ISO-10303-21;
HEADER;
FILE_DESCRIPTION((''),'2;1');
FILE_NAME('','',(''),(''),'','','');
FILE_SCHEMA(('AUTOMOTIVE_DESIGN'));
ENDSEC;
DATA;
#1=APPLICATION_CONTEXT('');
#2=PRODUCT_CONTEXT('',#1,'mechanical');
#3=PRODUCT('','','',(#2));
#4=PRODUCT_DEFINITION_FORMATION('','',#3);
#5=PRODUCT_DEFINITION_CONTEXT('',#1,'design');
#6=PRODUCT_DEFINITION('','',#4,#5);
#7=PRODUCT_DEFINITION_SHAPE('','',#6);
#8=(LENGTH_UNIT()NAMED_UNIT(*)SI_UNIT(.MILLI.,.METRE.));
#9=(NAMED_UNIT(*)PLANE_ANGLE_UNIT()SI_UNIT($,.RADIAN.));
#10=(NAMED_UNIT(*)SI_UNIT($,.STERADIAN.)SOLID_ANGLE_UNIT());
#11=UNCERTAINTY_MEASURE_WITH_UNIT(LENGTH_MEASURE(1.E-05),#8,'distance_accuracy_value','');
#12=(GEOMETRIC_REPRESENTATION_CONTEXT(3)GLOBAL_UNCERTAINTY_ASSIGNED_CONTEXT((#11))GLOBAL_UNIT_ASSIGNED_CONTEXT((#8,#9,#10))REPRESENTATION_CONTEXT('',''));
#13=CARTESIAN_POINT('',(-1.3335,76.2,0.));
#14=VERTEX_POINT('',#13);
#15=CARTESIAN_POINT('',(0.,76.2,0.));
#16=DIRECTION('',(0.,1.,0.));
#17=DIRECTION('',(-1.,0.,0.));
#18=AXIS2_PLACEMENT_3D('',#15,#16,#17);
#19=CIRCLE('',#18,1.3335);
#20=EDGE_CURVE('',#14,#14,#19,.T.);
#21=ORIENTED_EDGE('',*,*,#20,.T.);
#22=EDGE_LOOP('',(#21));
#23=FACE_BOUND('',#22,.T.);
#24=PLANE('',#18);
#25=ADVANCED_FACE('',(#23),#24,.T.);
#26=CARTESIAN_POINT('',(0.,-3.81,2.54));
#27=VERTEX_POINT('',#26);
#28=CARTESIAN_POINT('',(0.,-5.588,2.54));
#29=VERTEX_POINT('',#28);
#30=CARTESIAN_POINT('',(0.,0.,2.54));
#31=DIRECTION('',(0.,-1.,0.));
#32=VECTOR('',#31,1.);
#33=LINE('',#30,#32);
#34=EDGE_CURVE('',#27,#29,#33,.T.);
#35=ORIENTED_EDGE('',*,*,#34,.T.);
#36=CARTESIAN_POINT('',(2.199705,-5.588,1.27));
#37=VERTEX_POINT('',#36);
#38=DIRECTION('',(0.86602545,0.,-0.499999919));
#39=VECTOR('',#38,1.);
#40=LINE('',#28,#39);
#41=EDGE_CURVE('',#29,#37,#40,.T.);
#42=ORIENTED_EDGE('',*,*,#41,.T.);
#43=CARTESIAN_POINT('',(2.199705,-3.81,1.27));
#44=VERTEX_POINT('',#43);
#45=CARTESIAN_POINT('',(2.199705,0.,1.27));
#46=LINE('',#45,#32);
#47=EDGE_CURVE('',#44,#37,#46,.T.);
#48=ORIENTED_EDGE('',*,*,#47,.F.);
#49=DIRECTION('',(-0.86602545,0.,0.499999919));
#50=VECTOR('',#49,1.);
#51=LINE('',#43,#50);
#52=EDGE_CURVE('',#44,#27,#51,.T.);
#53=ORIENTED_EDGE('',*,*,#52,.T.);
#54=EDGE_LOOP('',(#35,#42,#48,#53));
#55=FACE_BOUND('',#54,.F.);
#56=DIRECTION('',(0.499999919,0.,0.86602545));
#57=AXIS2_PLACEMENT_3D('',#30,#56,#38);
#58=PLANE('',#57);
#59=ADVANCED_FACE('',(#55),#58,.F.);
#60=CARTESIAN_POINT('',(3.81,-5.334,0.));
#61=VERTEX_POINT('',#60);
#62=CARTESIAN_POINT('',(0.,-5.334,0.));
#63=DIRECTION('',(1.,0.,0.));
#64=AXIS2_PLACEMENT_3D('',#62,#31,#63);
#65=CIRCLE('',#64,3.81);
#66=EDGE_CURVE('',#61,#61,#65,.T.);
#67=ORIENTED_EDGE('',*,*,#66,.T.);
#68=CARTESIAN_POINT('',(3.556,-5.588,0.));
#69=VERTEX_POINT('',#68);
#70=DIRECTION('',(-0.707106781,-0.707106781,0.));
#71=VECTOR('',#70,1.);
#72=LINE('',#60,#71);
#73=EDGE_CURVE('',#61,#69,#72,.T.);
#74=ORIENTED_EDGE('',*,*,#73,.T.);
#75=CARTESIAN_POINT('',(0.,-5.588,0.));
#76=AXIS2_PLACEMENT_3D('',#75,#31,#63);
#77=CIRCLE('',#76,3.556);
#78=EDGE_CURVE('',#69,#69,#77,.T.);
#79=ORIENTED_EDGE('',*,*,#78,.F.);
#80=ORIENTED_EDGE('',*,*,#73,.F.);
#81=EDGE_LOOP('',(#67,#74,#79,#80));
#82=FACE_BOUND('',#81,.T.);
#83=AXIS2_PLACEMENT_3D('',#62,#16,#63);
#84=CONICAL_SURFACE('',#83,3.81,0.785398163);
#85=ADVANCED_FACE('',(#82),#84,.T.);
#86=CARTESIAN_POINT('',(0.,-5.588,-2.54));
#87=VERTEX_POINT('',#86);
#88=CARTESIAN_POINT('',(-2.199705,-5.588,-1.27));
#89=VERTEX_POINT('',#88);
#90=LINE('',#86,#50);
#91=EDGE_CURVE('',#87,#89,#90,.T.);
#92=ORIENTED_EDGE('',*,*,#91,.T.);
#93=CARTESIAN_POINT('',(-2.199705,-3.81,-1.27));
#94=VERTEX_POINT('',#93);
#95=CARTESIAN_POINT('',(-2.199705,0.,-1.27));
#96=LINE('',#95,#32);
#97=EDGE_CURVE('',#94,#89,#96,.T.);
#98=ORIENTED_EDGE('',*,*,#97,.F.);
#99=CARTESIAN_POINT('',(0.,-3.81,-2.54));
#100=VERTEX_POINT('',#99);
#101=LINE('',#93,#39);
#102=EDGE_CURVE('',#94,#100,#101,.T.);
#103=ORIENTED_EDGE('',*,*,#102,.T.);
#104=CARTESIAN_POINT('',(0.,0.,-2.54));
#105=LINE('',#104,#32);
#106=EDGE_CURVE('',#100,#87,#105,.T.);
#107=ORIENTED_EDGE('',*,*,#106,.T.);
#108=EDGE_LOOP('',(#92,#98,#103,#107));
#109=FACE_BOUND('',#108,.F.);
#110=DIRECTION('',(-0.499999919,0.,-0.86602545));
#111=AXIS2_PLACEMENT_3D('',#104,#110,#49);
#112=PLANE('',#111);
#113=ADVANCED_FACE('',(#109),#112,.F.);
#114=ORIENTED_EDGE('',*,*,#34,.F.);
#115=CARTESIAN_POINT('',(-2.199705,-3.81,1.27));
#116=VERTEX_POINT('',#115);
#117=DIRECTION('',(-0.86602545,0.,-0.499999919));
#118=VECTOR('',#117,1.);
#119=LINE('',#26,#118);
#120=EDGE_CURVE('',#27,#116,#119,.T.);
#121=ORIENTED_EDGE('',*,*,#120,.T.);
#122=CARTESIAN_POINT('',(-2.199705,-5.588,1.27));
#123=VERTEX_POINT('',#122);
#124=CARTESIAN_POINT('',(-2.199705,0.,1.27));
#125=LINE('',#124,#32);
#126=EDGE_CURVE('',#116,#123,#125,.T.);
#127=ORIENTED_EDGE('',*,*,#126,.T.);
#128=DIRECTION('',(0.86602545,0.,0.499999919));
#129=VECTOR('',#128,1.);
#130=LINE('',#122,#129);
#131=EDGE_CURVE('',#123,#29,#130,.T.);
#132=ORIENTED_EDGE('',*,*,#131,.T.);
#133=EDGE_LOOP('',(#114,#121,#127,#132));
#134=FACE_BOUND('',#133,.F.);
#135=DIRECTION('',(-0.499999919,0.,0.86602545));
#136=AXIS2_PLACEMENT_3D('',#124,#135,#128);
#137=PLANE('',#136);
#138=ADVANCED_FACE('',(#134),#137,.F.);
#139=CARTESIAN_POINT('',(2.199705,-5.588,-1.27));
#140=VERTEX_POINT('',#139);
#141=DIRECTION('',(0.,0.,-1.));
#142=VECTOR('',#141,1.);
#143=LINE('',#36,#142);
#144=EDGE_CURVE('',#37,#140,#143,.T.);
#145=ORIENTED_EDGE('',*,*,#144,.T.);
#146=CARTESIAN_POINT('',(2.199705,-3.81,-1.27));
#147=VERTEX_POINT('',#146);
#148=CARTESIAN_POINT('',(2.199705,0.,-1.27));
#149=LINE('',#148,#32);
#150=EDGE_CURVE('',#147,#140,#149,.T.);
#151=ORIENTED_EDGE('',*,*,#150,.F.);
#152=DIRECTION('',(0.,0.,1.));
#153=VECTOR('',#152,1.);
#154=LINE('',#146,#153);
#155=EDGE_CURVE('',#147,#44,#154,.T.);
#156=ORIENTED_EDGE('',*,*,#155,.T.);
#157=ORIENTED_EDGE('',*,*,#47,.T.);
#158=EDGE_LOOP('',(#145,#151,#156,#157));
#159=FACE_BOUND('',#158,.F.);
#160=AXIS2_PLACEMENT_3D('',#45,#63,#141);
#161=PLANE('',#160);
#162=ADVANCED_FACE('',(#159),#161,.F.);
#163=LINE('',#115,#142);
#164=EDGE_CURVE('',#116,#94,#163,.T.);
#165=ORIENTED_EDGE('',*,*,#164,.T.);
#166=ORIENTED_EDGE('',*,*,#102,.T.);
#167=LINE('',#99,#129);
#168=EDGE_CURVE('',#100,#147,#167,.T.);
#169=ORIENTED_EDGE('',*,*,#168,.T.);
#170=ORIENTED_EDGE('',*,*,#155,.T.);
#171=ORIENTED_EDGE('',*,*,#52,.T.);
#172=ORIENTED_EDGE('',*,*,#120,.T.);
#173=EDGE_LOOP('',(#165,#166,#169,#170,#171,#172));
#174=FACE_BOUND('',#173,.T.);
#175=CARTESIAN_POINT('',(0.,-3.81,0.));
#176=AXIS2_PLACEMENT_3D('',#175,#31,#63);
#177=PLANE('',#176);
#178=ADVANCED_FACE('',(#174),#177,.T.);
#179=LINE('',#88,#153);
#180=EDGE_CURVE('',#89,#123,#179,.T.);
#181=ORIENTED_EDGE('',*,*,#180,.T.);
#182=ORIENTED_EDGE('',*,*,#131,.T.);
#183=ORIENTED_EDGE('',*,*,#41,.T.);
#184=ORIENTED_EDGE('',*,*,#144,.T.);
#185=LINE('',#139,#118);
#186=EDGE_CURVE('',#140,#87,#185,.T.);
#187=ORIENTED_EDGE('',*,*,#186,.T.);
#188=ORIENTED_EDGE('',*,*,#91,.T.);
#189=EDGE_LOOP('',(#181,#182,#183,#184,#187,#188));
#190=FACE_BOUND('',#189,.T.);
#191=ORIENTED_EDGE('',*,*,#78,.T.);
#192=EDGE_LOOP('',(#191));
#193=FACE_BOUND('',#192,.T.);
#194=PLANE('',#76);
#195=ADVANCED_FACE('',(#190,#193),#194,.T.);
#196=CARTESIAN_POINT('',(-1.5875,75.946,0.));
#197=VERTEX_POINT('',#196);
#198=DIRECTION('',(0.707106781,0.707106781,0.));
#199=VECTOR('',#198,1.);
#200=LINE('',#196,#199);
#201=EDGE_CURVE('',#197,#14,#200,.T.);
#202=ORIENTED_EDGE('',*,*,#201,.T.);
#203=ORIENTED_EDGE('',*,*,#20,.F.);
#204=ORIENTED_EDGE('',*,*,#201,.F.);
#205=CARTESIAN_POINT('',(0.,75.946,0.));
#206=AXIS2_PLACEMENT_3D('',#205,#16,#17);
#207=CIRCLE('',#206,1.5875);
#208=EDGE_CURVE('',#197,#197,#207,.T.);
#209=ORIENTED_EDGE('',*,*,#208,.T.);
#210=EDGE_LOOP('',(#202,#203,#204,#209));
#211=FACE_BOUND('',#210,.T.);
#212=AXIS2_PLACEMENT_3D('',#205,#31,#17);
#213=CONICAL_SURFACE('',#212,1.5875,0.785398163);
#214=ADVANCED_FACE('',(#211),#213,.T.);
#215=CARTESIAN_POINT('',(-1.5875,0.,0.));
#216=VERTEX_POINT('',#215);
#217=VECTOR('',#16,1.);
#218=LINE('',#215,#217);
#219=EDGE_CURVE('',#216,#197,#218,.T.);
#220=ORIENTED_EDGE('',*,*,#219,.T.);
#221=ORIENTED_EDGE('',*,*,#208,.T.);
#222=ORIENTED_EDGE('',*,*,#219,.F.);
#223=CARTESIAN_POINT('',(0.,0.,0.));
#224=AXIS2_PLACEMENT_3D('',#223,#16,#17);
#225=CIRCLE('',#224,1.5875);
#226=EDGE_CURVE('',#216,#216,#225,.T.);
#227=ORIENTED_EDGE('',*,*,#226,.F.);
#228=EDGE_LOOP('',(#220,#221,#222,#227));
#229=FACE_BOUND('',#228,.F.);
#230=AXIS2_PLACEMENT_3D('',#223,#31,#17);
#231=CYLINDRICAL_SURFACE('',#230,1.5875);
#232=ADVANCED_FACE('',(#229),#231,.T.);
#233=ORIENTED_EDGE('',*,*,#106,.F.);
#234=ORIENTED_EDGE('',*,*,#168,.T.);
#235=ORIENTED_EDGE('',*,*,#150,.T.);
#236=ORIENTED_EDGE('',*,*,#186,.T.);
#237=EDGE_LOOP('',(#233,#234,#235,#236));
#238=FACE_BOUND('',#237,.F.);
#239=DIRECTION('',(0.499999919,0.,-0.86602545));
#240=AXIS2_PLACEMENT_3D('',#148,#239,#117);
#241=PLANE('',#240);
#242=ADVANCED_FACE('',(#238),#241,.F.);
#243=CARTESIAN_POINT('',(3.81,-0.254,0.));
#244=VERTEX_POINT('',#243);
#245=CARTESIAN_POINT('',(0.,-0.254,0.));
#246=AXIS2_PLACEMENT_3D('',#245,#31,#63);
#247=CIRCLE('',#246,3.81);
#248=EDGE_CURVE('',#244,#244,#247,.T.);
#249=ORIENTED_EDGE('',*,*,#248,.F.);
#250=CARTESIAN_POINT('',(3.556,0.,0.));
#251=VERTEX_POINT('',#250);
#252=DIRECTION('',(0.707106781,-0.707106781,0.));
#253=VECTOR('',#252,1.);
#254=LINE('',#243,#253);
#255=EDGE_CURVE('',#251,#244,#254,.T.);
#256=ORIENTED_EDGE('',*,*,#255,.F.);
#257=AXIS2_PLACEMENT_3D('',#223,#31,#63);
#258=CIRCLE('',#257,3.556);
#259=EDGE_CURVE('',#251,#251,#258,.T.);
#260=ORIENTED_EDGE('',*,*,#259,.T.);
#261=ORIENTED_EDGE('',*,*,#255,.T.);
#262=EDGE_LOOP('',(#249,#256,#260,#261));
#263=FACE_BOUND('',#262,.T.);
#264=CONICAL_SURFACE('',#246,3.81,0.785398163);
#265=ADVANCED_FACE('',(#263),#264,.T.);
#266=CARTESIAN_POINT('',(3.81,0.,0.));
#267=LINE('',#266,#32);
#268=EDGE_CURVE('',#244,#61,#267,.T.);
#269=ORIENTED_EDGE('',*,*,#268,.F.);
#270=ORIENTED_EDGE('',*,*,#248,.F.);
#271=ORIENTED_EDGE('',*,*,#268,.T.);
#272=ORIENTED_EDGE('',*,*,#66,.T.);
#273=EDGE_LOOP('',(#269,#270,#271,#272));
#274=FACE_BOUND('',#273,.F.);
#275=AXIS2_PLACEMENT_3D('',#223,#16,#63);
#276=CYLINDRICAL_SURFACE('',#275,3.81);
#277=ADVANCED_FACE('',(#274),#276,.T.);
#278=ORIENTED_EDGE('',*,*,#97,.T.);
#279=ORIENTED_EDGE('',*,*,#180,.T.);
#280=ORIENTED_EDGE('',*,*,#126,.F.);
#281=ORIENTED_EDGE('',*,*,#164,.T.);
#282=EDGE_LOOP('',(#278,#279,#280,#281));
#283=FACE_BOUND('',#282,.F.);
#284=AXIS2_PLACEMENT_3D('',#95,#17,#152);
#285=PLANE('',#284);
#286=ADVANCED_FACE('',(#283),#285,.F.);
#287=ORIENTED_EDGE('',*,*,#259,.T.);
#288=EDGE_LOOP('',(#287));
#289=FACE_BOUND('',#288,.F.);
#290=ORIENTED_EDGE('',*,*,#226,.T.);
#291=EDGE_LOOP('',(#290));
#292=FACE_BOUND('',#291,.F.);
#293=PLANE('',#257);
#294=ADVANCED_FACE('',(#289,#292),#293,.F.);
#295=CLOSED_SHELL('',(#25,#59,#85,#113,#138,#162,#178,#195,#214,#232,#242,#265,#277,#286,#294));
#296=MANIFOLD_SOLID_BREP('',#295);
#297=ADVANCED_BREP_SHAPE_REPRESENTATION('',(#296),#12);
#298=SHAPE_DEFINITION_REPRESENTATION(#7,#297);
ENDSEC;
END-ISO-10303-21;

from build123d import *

# Parameters (mm, degrees)
F0_R     = 3.81
F1_DEPTH = 5.588
F2_DEPTH = 3.81
F3_R     = 1.5875
F4_DEPTH = 76.2
F5_SIZE  = 0.254
F6_SIZE  = 0.254


with BuildPart() as f1:
    # F0 (on Front) → F1 (new body)
    with BuildSketch(Plane.XZ):
        Circle(F0_R)
        Polygon((0, 2.54), (2.199705, 1.27), (2.199705, -1.27), (0, -2.54), (-2.199705, -1.27), (-2.199705, 1.27), align=None, mode=Mode.SUBTRACT)
    extrude(amount=F1_DEPTH)

    # F0 (on Front) → F2 (join)
    with BuildSketch(Plane.XZ):
        Polygon((2.199705, -1.27), (2.199705, 1.27), (0, 2.54), (-2.199705, 1.27), (-2.199705, -1.27), (0, -2.54), align=None)
    extrude(amount=F2_DEPTH)

    # F3 (on face) → F4 (join)
    with BuildSketch(Plane(origin=(0, 0, 0), x_dir=(-1, 0, 0), z_dir=(0, 1, 0))):
        Circle(F3_R)
    extrude(amount=F4_DEPTH)

    # F5
    f5_edges = [f1.edges().sort_by_distance(p)[0] for p in [
        (-3.81, -5.588, 0),
        (-3.81, 0, 0),
    ]]
    chamfer(f5_edges, length=F5_SIZE)

    # F6
    f6_edges = [f1.edges().sort_by_distance(p)[0] for p in [
        (1.5875, 76.2, 0),
    ]]
    chamfer(f6_edges, length=F6_SIZE)


solid = f1.part
